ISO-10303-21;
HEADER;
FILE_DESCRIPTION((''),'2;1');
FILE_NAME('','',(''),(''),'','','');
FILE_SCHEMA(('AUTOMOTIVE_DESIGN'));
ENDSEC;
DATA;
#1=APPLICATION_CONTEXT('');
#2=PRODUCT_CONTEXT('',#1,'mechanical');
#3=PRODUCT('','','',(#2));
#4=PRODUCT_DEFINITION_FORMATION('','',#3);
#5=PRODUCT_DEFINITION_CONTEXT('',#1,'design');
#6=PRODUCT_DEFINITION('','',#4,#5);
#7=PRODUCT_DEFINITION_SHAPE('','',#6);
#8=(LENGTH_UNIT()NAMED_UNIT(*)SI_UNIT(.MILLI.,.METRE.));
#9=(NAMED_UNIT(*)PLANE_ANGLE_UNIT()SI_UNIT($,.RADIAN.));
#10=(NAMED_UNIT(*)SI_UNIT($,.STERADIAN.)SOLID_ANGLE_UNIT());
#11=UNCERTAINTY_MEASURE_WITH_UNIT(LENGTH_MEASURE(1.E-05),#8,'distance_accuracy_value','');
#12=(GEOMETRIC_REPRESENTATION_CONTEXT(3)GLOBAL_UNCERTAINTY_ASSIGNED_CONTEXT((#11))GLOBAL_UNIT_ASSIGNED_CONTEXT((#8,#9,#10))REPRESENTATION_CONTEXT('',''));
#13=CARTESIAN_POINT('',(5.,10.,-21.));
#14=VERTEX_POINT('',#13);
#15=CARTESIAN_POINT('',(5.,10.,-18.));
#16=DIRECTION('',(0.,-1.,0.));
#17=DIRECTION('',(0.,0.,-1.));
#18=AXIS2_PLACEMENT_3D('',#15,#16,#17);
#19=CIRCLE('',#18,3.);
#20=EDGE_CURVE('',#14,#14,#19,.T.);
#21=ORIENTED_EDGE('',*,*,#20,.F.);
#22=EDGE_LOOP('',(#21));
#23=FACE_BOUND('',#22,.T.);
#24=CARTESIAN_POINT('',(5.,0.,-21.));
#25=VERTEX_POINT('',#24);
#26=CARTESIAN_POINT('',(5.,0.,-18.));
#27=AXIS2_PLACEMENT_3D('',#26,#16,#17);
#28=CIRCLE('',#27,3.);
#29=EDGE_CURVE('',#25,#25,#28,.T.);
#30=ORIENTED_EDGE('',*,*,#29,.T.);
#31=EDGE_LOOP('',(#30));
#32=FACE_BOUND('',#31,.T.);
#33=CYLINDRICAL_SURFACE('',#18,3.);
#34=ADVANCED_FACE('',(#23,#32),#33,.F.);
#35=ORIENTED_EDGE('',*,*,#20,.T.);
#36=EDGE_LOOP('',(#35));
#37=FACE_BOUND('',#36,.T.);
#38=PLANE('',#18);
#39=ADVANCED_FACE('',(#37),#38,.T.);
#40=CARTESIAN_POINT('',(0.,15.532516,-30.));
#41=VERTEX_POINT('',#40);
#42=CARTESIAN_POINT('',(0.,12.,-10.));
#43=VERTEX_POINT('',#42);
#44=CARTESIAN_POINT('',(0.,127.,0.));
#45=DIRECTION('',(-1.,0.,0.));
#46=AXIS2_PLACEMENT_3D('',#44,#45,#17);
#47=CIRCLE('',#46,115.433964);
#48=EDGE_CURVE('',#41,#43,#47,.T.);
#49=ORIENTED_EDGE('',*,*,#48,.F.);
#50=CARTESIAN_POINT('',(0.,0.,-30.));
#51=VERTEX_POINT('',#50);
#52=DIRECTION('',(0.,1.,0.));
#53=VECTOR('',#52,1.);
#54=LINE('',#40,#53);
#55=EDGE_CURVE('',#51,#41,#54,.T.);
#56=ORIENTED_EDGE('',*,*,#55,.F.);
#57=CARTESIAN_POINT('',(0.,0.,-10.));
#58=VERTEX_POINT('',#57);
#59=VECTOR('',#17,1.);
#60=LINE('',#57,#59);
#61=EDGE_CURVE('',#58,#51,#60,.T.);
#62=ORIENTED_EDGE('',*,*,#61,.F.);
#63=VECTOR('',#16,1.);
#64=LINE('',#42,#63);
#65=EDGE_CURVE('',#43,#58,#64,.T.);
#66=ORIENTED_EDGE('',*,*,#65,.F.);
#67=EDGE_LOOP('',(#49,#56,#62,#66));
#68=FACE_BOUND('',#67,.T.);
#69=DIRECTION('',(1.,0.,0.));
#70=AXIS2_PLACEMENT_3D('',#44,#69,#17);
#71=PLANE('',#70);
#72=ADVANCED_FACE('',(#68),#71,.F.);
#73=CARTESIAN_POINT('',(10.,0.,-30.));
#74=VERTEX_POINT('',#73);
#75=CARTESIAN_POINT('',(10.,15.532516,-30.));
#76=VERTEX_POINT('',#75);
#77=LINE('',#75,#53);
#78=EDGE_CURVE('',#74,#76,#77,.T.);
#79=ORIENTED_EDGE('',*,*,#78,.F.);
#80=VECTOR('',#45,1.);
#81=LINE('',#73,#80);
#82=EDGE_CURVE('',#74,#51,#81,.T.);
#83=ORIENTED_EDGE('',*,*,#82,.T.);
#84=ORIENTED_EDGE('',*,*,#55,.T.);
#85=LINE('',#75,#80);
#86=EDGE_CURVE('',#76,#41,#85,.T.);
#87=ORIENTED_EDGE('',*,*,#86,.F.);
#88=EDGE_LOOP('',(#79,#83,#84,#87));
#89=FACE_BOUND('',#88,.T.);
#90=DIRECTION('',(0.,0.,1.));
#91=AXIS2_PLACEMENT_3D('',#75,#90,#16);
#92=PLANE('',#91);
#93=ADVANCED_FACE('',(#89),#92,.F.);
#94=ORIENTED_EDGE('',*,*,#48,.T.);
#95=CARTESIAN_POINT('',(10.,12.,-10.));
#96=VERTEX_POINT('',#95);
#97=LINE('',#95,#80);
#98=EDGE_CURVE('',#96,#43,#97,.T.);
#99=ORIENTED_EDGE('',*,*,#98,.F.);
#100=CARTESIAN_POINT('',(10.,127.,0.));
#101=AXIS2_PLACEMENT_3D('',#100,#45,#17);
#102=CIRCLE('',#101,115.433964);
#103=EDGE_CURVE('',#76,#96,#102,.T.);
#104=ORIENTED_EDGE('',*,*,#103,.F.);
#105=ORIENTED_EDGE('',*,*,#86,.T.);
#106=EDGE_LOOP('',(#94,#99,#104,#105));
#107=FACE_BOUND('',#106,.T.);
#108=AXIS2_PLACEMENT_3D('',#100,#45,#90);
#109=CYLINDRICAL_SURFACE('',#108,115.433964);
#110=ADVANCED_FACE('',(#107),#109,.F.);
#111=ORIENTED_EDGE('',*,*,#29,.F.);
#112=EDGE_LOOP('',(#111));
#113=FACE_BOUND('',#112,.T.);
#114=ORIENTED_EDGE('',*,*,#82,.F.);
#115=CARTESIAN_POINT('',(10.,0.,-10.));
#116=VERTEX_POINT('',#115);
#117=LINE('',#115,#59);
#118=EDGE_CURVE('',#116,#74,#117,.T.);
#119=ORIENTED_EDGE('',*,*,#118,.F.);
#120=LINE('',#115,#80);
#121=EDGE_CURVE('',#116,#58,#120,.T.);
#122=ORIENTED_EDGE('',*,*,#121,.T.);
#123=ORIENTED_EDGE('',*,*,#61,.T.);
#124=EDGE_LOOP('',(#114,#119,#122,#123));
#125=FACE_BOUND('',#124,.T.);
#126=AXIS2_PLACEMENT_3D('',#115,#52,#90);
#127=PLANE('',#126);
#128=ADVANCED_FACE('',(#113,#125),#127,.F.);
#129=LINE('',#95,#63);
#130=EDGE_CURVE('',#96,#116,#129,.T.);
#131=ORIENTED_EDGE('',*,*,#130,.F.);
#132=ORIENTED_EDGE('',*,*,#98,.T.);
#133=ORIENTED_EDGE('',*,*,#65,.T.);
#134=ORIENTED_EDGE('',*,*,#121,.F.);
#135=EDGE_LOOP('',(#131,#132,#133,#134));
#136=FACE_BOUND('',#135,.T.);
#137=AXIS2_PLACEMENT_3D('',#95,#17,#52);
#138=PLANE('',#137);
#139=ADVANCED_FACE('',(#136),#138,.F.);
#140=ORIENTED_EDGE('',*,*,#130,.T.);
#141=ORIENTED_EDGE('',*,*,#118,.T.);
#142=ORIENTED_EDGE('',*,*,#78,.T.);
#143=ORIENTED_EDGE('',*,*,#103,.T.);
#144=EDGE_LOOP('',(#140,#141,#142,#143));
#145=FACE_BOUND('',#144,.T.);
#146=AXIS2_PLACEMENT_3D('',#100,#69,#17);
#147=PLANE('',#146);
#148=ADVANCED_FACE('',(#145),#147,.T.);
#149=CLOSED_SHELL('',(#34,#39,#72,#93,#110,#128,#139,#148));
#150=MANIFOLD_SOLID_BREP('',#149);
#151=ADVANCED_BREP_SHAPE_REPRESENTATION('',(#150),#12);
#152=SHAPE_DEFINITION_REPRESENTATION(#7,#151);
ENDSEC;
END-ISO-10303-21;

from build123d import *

# Parameters (mm, degrees)
EXTRUDE_1_DEPTH     = 10
EXTRUDE_2_DEPTH     = 10
SKETCH_2_R          = 3
CUT_EXTRUDE_1_DEPTH = 10


with BuildPart() as part:
    # 草图1 → 凸台-拉伸1 (new body)
    with BuildSketch(Plane(origin=(0, 0, 0), x_dir=(0, 0, -1), z_dir=(1, 0, 0))):
        with BuildLine():
            Line((10, 12), (10, 0))
            Line((10, 0), (30, 0))
            Line((30, 0), (30, 15.532515952))
            ThreePointArc((30, 15.532515952), (20.077840204, 13.3255511), (10, 12))
        make_face()
    extrude(amount=EXTRUDE_1_DEPTH)

    # 草图1<2> → 凸台-拉伸2 (add)
    with BuildSketch(Plane(origin=(0, 0, 0), x_dir=(0, 0, -1), z_dir=(1, 0, 0))):
        with BuildLine():
            Line((10, 12), (10, 0))
            Line((10, 0), (30, 0))
            Line((30, 0), (30, 15.532515952))
            ThreePointArc((30, 15.532515952), (20.077840204, 13.3255511), (10, 12))
        make_face()
    extrude(amount=EXTRUDE_2_DEPTH)

    # 草图2 → 切除-拉伸1 (cut)
    with BuildSketch(Plane.XZ):
        with Locations((5, -18)):
            Circle(SKETCH_2_R)
    extrude(amount=-CUT_EXTRUDE_1_DEPTH, mode=Mode.SUBTRACT)


solid = part.part
